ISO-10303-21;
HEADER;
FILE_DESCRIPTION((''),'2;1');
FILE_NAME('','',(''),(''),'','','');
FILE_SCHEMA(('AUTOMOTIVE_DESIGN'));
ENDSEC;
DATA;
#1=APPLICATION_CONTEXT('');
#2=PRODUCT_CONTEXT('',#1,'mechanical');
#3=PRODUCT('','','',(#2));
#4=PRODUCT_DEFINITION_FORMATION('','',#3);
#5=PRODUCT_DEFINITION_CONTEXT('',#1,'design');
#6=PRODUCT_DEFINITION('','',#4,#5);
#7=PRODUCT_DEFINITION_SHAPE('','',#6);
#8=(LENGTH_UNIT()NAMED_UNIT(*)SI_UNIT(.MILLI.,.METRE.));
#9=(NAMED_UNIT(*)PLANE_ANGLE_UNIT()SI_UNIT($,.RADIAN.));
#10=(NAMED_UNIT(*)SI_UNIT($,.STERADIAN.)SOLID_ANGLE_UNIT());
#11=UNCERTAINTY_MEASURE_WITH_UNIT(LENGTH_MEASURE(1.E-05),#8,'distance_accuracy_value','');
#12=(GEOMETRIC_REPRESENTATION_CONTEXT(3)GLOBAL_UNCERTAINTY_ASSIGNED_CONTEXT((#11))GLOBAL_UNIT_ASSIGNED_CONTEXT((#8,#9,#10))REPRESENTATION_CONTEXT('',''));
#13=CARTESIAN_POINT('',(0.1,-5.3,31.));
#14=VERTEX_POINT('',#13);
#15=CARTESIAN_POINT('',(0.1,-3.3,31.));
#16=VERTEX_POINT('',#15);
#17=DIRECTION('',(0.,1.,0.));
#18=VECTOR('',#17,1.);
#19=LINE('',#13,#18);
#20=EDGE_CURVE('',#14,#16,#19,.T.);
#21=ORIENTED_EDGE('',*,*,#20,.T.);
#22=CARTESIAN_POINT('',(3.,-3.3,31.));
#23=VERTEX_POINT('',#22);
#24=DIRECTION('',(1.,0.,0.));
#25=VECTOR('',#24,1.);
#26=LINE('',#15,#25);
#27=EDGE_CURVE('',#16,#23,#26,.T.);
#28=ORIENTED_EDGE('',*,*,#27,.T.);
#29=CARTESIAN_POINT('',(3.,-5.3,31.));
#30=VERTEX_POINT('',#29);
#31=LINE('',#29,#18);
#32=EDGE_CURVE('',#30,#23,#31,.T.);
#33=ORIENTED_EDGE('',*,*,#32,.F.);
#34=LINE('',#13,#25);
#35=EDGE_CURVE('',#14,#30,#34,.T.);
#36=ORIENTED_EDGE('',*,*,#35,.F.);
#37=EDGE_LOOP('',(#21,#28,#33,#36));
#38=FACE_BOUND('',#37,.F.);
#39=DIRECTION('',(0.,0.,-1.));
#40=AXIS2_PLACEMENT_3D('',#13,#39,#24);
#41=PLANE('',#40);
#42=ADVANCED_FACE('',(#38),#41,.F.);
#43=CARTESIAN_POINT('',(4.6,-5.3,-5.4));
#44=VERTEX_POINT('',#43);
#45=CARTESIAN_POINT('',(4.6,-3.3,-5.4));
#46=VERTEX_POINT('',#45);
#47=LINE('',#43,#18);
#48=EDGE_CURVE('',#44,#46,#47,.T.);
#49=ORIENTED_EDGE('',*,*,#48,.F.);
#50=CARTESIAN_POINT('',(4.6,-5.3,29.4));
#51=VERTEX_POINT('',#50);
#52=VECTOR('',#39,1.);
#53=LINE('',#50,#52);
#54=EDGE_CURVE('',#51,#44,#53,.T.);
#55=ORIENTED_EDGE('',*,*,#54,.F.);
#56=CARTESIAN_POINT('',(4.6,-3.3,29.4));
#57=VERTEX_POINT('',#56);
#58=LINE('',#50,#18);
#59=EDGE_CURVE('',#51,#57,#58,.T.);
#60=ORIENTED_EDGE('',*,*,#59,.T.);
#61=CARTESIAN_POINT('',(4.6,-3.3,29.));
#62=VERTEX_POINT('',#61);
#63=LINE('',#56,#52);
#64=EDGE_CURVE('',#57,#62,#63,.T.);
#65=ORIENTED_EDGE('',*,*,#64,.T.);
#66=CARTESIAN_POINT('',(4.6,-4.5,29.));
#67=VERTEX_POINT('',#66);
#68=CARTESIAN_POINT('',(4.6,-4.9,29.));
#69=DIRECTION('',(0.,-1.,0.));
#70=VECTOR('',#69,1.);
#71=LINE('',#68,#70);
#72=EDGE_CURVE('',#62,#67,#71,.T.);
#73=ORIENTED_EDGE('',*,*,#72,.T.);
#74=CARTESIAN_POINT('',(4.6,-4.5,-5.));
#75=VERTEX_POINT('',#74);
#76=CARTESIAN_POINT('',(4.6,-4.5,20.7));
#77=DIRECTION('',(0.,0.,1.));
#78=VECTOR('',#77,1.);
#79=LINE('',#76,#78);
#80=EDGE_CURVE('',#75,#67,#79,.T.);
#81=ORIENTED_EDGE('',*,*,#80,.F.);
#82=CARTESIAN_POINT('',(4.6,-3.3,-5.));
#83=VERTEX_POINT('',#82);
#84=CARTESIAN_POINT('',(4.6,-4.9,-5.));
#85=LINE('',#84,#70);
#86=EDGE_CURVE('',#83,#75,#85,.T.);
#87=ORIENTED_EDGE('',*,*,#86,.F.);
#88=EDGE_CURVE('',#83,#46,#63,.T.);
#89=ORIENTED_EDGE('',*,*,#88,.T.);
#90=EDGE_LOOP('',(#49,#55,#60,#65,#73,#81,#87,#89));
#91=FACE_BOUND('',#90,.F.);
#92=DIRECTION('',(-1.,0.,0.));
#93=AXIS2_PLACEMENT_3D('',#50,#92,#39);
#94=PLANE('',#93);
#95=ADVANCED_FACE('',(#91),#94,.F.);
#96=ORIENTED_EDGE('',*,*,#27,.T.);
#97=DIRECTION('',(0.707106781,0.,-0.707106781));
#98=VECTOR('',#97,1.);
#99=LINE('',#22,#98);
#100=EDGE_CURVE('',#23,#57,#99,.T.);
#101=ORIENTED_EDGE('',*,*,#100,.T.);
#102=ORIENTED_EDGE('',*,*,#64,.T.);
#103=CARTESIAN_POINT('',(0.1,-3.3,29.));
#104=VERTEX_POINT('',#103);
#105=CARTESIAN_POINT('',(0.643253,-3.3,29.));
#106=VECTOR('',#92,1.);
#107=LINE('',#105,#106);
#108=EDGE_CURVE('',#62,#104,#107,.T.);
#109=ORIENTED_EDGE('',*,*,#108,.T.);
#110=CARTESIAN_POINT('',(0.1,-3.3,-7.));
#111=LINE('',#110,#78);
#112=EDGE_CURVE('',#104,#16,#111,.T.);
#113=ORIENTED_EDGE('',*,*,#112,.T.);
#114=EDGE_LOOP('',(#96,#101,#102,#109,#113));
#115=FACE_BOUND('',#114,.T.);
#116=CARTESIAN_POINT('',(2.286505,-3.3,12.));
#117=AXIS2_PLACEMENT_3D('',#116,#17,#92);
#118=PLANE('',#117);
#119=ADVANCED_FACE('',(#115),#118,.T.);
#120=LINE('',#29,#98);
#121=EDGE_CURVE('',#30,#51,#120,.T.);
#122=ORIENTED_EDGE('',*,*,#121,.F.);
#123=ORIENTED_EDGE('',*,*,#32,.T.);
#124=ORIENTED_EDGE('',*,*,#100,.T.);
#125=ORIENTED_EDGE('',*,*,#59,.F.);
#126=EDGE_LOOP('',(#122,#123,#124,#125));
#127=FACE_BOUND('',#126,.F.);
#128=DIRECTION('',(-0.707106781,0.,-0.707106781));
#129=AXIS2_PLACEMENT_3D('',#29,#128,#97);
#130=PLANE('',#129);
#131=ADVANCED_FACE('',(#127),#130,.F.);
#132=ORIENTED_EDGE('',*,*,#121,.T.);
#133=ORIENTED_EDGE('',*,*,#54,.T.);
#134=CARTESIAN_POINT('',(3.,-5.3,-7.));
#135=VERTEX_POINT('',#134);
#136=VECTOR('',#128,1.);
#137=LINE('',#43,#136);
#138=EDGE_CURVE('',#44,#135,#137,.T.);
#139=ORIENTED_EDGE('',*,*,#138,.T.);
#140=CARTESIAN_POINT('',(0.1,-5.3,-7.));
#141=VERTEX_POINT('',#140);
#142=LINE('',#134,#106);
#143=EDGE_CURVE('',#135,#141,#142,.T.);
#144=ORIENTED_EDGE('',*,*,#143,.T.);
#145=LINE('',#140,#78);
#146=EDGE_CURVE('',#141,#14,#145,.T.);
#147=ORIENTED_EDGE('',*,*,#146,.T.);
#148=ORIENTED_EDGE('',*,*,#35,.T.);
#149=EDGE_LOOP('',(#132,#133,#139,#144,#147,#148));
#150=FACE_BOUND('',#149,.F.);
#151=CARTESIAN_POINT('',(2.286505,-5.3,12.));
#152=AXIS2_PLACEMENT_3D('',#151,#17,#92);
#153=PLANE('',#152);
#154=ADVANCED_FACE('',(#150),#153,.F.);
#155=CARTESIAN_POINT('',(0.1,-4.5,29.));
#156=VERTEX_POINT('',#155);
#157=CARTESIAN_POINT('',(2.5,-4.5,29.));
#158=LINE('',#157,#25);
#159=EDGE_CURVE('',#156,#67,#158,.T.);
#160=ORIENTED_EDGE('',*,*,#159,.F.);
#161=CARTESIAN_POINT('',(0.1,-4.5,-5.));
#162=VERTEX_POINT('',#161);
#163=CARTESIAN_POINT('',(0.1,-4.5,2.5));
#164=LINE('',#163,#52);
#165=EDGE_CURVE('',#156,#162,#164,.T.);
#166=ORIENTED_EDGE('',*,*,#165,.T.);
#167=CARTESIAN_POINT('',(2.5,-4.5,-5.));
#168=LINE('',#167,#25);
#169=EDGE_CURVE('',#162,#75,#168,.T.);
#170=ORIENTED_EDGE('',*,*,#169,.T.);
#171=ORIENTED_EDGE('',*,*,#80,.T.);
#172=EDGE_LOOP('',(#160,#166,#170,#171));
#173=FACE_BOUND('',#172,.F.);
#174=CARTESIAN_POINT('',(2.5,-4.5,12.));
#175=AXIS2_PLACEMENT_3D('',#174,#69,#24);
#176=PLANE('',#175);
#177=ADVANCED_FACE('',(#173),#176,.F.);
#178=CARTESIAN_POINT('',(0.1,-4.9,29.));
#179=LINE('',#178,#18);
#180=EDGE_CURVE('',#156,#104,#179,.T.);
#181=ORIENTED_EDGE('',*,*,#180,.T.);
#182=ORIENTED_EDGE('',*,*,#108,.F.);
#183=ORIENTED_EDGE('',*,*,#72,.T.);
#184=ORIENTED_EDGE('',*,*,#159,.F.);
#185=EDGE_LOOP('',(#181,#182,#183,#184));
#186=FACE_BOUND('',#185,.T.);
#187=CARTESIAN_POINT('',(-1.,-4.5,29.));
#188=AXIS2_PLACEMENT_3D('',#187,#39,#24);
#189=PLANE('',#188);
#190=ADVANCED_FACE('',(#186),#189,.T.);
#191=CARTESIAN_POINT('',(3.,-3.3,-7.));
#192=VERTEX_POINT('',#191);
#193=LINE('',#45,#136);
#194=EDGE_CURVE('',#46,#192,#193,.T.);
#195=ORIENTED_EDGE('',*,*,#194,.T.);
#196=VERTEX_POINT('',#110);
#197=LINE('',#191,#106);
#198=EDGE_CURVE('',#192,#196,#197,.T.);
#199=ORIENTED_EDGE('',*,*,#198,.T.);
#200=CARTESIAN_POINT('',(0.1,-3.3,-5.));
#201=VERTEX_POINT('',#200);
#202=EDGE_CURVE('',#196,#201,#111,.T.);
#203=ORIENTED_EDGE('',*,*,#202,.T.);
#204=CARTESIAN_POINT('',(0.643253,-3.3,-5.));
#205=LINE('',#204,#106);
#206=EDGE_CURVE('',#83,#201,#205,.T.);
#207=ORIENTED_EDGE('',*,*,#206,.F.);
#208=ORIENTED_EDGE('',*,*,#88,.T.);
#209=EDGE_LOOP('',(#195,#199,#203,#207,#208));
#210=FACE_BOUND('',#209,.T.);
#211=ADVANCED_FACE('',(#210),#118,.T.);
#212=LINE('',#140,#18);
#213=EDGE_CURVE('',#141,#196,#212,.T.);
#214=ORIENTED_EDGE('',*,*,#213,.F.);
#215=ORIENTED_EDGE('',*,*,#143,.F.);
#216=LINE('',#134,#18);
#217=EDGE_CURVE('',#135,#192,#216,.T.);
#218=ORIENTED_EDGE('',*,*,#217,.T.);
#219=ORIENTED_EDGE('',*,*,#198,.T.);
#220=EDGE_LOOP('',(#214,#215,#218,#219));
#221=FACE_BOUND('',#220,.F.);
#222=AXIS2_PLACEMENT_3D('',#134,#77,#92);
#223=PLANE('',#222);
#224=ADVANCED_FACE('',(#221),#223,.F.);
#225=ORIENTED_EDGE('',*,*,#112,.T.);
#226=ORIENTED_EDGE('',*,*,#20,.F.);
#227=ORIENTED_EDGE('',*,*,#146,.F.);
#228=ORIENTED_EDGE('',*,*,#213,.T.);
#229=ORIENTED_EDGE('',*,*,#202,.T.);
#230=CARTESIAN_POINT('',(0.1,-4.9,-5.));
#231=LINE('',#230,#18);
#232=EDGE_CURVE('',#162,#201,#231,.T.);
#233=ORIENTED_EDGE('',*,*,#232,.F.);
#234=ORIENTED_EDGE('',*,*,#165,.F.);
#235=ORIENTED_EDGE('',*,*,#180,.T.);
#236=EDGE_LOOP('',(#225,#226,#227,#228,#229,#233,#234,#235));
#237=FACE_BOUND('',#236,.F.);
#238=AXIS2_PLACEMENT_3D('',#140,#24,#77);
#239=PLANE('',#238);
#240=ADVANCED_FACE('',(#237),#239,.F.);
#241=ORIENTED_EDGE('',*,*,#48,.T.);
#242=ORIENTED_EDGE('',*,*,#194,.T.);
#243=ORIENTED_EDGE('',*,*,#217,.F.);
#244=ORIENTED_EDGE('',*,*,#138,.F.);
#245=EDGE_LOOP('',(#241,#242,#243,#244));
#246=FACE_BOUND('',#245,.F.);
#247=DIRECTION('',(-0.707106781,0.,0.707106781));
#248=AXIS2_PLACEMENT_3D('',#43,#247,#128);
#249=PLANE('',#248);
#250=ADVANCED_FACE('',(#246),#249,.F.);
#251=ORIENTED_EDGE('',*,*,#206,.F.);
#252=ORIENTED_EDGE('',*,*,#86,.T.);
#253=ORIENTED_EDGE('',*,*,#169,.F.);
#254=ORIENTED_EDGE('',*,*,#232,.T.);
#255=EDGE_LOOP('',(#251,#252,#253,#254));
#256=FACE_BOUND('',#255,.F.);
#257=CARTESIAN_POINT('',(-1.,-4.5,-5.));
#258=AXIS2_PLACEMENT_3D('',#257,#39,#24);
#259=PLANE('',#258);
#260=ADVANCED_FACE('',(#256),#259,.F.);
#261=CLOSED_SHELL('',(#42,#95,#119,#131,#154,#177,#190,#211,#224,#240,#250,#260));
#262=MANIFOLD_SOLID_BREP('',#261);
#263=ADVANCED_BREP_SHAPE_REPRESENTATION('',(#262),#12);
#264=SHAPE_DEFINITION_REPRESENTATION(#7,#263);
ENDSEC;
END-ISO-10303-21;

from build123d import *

# Parameters (mm, degrees)
SKETCH040_W      = 7
SKETCH040_H      = 34
EXTRUDE049_DEPTH = 2
EXTRUDE048_DEPTH = 2


with BuildPart() as extrude049:
    # Sketch040 → Extrude049 (new body)
    with BuildSketch(Plane.XZ.offset(4.5)):
        with Locations((-37.5, 12)):
            Rectangle(SKETCH040_W, SKETCH040_H)
    extrude(amount=-EXTRUDE049_DEPTH)


with BuildPart() as bulge_overlap:
    # Sketch039 → Extrude048 (new body)
    with BuildSketch(Plane.XZ.offset(5.3)):
        Polygon((-37, 31), (-35.4, 29.4), (-35.4, -5.4), (-37, -7), (-39.9, -7), (-39.9, 31), align=None)
    extrude(amount=-EXTRUDE048_DEPTH)

    # Cut027: cut Extrude049
    add(extrude049.part, mode=Mode.SUBTRACT)


with BuildPart() as bulge_overlap_1:
    # Cut027 placement: moved
    add(bulge_overlap.part.moved(Location((40, 0, 0))))


solid = bulge_overlap_1.part
